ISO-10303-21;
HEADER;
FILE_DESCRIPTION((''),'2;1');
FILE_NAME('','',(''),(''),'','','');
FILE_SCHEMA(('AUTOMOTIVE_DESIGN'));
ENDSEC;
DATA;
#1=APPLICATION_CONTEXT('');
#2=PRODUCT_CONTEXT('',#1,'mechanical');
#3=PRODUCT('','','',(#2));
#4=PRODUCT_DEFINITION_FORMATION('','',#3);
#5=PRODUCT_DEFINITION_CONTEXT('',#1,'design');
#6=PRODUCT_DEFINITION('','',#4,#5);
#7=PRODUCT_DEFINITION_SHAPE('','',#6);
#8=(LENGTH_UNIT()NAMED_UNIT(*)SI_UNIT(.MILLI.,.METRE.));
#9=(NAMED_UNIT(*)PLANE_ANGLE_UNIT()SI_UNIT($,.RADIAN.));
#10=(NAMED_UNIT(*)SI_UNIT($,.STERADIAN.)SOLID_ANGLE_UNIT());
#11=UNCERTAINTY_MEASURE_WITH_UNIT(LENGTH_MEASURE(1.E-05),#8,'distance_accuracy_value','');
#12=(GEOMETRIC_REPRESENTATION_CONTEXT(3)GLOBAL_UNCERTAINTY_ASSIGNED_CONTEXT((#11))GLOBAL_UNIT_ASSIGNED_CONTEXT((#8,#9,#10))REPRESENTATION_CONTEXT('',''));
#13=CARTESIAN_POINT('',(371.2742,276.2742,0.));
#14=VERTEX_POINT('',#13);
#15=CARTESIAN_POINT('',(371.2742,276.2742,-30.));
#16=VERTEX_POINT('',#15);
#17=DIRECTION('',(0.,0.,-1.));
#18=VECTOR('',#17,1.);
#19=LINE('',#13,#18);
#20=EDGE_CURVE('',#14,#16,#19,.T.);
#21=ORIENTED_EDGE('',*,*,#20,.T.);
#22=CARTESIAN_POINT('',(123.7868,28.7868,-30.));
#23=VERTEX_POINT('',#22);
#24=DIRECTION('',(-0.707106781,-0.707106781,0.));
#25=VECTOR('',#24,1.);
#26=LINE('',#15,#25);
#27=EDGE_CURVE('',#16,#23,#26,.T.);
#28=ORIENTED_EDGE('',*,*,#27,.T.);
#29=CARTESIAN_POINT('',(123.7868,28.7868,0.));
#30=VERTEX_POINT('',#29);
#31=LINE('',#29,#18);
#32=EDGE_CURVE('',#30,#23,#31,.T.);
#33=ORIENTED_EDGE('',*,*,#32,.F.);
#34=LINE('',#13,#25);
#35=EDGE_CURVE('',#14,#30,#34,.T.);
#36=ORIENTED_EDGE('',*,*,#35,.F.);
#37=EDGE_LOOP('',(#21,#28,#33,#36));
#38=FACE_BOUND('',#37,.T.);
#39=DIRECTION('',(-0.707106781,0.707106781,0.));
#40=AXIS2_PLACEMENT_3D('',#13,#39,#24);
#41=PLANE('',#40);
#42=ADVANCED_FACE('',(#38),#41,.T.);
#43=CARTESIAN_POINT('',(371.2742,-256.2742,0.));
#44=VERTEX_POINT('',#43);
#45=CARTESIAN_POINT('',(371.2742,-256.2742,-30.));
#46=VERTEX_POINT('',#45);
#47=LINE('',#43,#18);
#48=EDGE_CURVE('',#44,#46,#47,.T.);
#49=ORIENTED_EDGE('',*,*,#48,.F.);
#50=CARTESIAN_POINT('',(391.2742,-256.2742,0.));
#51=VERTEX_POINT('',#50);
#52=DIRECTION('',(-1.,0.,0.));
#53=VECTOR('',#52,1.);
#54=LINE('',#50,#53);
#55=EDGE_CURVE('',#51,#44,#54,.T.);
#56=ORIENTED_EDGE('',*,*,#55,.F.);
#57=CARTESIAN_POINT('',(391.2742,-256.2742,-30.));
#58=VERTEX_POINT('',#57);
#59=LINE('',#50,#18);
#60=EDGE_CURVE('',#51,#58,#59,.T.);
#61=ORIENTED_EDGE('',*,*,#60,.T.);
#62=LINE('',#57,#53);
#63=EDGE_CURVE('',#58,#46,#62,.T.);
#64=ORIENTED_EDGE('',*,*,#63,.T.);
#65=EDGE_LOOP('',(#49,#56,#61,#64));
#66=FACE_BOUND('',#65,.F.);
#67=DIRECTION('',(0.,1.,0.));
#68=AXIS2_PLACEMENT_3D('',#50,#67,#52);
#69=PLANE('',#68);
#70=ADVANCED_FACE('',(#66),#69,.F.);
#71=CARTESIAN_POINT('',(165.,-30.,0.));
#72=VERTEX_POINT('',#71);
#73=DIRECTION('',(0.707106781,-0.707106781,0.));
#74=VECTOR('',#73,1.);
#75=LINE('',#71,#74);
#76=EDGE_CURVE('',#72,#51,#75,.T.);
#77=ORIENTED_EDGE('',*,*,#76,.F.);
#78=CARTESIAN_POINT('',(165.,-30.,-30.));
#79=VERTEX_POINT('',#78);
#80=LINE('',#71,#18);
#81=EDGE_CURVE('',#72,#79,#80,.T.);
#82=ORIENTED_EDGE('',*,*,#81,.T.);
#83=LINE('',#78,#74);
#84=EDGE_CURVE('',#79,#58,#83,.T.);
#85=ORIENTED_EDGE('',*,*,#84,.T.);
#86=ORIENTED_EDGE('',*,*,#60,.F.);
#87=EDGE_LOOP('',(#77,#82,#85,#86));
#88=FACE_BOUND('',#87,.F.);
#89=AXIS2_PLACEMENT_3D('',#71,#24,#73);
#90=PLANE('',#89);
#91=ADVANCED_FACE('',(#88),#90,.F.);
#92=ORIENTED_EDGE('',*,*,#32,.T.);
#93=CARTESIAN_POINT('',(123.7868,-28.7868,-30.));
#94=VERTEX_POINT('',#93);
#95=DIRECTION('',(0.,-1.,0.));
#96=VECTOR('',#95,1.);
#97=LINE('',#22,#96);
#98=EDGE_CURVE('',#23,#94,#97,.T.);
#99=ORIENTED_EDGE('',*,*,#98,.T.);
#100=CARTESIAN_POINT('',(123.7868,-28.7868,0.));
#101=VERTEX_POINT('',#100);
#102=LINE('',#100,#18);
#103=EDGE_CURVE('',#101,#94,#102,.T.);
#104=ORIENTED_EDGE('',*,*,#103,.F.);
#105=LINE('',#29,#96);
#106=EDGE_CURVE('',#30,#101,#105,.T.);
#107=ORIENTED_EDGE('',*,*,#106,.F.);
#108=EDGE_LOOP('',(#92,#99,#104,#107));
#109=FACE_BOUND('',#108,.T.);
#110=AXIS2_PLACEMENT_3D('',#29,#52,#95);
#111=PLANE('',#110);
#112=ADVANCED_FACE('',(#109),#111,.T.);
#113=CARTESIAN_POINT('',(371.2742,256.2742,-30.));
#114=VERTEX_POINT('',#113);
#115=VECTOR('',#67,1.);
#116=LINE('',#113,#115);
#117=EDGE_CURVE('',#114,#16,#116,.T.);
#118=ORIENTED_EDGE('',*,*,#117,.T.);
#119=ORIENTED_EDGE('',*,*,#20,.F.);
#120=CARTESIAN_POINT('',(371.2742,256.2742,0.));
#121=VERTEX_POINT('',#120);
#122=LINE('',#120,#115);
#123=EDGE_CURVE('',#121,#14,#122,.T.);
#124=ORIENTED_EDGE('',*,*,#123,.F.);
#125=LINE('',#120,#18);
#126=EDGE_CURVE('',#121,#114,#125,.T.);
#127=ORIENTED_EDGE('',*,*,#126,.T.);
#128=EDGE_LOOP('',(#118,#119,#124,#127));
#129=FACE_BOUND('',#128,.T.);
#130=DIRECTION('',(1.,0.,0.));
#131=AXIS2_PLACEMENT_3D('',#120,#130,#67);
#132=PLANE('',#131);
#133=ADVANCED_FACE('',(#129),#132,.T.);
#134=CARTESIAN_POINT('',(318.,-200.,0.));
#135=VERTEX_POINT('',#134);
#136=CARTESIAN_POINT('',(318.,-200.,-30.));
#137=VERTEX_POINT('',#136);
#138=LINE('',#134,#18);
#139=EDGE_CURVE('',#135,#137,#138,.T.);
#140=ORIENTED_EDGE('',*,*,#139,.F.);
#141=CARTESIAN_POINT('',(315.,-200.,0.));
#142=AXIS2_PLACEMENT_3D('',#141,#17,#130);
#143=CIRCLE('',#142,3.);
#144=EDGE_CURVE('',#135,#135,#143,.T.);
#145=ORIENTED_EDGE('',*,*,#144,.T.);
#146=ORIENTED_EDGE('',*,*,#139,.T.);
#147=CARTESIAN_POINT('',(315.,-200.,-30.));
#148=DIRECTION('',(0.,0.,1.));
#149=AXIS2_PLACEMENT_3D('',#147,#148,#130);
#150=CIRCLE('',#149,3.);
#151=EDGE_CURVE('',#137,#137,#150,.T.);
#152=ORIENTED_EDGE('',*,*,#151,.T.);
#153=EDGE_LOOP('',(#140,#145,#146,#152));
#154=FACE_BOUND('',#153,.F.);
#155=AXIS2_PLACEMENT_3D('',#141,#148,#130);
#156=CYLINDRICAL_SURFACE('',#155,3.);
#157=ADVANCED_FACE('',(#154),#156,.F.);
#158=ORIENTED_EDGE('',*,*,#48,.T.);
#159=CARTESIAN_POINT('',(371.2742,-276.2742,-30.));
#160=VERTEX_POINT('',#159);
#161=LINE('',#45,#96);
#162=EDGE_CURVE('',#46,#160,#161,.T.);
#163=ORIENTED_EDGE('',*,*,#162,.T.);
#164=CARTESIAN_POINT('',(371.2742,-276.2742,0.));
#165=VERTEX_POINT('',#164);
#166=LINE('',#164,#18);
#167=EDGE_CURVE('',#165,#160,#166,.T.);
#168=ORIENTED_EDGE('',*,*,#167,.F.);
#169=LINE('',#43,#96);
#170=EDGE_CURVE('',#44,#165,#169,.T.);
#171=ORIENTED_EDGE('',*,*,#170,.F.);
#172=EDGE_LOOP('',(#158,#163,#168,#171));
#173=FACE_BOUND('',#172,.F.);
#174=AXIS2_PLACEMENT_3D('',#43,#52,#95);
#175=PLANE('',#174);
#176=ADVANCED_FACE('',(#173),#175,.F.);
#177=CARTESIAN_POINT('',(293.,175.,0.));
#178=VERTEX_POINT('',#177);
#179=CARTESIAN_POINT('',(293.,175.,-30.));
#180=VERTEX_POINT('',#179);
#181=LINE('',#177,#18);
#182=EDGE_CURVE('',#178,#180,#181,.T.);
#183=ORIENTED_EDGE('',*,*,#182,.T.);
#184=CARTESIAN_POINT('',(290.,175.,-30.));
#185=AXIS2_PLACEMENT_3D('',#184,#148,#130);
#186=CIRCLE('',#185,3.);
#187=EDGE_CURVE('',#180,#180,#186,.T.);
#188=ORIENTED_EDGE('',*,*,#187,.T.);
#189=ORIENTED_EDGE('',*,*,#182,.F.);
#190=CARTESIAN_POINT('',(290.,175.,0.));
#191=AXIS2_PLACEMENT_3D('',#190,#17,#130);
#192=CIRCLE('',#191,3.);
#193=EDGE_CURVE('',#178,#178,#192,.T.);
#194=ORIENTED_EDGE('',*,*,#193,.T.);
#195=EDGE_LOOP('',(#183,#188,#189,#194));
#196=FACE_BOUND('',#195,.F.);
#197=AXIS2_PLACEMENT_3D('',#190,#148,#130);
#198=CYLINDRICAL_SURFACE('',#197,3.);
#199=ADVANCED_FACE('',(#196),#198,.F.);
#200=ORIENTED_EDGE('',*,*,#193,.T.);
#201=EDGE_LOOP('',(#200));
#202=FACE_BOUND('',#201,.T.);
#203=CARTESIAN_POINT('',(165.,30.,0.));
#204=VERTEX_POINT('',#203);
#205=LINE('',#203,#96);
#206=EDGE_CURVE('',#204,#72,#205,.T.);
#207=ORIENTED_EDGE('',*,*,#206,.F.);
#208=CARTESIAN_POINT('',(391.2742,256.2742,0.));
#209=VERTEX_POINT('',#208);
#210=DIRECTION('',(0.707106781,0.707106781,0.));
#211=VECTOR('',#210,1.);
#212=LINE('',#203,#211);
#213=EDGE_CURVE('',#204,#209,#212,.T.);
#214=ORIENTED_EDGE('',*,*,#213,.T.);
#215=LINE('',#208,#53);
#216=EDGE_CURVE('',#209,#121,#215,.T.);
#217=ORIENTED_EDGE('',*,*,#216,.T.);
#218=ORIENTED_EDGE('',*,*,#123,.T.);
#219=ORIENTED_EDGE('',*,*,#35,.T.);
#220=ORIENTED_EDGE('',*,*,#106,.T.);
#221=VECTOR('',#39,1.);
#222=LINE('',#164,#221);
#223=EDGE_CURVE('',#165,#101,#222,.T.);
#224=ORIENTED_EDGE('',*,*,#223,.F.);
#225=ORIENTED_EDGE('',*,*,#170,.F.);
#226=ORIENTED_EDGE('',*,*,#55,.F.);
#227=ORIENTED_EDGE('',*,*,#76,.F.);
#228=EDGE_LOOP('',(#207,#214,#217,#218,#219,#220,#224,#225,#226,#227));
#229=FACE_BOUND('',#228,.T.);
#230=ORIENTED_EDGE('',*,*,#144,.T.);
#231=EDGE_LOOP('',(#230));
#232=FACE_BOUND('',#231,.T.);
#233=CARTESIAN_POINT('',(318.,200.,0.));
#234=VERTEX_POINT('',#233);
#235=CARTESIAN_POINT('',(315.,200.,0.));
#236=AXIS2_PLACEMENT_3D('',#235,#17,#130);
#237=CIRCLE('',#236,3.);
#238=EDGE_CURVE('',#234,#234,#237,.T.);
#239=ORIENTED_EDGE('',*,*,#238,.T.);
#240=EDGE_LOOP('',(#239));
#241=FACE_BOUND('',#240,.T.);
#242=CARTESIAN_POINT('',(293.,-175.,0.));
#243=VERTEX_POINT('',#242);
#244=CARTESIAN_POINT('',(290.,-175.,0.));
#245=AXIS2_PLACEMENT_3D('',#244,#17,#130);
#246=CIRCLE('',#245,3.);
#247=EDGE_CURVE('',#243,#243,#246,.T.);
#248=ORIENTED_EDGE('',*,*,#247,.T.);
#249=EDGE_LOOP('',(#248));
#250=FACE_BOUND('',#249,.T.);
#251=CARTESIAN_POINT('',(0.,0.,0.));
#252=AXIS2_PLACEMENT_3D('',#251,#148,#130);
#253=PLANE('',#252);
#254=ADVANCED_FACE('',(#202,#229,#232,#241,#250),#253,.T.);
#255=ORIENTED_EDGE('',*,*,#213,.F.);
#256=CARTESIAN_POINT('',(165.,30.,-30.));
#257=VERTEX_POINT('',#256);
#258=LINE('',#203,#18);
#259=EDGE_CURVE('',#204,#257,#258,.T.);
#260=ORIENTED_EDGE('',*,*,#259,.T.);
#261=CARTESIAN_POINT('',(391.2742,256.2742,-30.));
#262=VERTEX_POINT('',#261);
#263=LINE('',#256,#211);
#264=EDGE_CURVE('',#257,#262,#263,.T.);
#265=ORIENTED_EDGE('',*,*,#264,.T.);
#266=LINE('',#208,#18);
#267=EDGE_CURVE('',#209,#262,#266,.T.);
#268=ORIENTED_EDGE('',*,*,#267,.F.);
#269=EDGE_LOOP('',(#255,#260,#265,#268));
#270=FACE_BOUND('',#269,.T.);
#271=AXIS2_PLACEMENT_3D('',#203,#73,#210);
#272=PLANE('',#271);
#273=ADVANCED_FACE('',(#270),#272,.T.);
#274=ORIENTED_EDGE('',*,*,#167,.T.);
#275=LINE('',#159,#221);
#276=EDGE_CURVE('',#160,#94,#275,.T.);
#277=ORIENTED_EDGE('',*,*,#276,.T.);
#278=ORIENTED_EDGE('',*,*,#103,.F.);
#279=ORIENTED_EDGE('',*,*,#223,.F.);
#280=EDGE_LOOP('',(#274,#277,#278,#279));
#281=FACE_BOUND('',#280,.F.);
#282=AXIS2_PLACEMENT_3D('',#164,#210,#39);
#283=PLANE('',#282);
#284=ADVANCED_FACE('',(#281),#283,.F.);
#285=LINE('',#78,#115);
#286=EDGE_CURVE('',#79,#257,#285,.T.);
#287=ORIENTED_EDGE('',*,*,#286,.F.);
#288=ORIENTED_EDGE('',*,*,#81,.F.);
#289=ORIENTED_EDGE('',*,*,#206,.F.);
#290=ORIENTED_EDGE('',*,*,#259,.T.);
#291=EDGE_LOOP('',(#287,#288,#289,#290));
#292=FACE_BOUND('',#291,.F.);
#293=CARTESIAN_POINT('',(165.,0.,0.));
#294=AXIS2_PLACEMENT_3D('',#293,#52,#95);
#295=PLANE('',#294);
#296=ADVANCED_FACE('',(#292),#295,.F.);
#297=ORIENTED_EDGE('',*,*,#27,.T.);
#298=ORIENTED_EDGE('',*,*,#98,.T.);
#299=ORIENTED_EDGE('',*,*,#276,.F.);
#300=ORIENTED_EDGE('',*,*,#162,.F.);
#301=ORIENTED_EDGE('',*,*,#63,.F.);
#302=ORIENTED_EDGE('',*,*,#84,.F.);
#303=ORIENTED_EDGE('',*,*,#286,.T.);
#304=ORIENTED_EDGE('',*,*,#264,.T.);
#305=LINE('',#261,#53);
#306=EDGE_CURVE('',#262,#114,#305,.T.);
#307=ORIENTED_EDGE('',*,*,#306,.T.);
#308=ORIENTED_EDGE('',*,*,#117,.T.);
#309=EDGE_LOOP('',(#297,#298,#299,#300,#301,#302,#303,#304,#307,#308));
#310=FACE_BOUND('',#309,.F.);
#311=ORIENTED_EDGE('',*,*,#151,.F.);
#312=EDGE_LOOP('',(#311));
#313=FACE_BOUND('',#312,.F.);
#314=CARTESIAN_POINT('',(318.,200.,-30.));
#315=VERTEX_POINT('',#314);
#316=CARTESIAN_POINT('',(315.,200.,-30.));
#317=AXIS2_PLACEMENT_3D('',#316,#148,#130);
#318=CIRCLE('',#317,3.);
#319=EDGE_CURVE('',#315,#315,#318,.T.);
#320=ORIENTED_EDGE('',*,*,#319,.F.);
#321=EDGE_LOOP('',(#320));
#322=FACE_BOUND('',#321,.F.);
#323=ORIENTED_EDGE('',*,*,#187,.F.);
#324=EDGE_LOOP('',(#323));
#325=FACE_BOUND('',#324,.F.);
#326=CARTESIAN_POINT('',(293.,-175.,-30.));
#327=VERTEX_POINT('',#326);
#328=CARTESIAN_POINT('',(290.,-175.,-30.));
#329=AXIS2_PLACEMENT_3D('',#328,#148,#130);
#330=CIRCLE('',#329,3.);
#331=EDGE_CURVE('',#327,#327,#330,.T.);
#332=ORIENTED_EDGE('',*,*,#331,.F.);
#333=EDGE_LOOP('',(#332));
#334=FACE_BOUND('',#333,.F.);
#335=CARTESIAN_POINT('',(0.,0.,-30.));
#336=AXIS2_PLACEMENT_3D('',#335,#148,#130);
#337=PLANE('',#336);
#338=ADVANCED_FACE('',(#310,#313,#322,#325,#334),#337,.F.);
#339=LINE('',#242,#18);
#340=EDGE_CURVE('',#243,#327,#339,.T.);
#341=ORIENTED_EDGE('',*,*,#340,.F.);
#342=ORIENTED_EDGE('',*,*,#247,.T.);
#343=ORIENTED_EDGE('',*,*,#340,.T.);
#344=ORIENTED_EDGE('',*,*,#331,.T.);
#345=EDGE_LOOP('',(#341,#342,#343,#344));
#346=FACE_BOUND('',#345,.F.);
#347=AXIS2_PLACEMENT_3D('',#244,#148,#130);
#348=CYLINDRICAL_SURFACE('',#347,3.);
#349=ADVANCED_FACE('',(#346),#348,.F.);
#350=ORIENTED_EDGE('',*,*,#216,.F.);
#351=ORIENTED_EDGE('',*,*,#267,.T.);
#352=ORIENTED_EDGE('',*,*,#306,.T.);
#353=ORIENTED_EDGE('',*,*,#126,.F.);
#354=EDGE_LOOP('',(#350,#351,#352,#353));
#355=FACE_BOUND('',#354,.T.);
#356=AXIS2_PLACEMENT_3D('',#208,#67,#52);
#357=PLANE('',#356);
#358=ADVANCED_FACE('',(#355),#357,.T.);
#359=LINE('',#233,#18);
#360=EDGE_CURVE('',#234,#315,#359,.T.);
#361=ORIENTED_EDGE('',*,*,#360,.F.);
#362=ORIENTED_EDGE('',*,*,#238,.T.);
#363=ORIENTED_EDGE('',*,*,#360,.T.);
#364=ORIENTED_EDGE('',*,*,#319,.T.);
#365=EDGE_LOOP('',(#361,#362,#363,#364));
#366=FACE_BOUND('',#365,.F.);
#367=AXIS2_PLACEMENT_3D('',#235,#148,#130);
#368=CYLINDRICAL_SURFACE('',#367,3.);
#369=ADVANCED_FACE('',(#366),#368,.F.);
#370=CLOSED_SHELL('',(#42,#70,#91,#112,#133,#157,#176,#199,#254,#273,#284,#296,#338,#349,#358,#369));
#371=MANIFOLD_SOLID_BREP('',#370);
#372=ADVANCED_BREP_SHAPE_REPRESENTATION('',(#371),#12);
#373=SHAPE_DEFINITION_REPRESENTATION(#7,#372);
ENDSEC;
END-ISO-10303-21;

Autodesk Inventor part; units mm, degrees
ref_plane "YZ Plane" through (0, 0, 0) normal (1, 0, 0) x (0, 1, 0)
ref_plane "XZ Plane" through (0, 0, 0) normal (0, 1, 0) x (-1, 0, 0)
ref_plane "XY Plane" through (0, 0, 0) normal (0, 0, 1) x (1, 0, 0)
sketch "草圖1" plane through (0, 0, 0) normal (0, 0, 1) x (1, 0, 0)
  line L0 (165, 0) -> (165, -30)
  line L1 (165, 0) -> (195, 0) construction
  line L2 (165, -30) -> (391.2742, -256.2742)
  line L3 (391.2742, -256.2742) -> (371.2742, -256.2742)
  line L4 (371.2742, -256.2742) -> (371.2742, -276.2742)
  line L5 (371.2742, -276.2742) -> (123.7868, -28.7868)
  line L6 (165, 0) -> (165, 30)
  line L7 (165, 0) -> (195, 0) construction
  line L8 (165, 30) -> (391.2742, 256.2742)
  line L9 (391.2742, 256.2742) -> (371.2742, 256.2742)
  line L10 (371.2742, 256.2742) -> (371.2742, 276.2742)
  line L11 (371.2742, 276.2742) -> (123.7868, 28.7868)
  line L12 (123.7868, 28.7868) -> (123.7868, -28.7868)
  point P0 (0, 0)
  dimension "d3" = 30
  dimension "d4" = 90
  dimension "d5" = 320
  dimension "d6" = 135
  dimension "d7" = 20
  dimension "d8" = 20
  dimension "d9" = 350
  dimension "d10" = 45
  dimension "d11" = 30
  dimension "d12" = 90
  dimension "d13" = 320
  dimension "d14" = 135
  dimension "d15" = 20
  dimension "d16" = 20
  dimension "d17" = 350
extrude "擠出1" add sketch "草圖1" against normal blind 30
sketch "草圖2" plane through (0, 0, 0) normal (0, 0, 1) x (1, 0, 0)
  line L0 (391.2742, -256.2742) -> (371.2742, -256.2742) projected
  line L1 (371.2742, -256.2742) -> (315, -200)
  line L2 (371.2742, -256.2742) -> (450.8579, -256.2742) construction
  line L3 (315, -200) -> (290, -175)
  line L4 (123.7868, -28.7868) -> (371.2742, -276.2742) projected
  circle A0 centre (315, -200) radius 3
  circle A1 centre (290, -175) radius 3
  line L5 (371.2742, 256.2742) -> (391.2742, 256.2742) projected
  line L6 (371.2742, 256.2742) -> (315, 200)
  line L7 (371.2742, 276.2742) -> (123.7868, 28.7868) projected
  line L8 (371.2742, 256.2742) -> (450.8579, 256.2742) construction
  line L9 (315, 200) -> (290, 175)
  circle A2 centre (290, 175) radius 3
  circle A3 centre (315, 200) radius 3
  line L10 (315, -200) -> (315, 200)
  line L11 (290, -175) -> (290, 175)
  point P0 (0, 0)
  point P1 (317.1213, 202.1213)
  point P2 (312.8787, 197.8787)
  point P3 (312.8787, -197.8787)
  point P4 (317.1213, -202.1213)
  dimension "d20" = 79.5837
  dimension "d21" = 135
  dimension "d22" = 35.3553
  dimension "d23" = 180
  dimension "d24" = 6
  dimension "d25" = 6
  dimension "d28" = 79.5837
  dimension "d29" = 135
  dimension "d30" = 35.3553
  dimension "d31" = 6
  dimension "d32" = 6
  dimension "d33" = 400
  dimension "d34" = 350
extrude "擠出2" cut sketch "草圖2" along normal through all both and the other way through all contours A0 L3 L1 | L1 L10 A0 | L3 A0 L10 | A1 L11 L3 | L3 L11 A1 | L10 L6 A3 | A3 L9 L10 | A3 L6 L9 | L11 L9 A2 | A2 L9 L11
properties part number "DOF6"
